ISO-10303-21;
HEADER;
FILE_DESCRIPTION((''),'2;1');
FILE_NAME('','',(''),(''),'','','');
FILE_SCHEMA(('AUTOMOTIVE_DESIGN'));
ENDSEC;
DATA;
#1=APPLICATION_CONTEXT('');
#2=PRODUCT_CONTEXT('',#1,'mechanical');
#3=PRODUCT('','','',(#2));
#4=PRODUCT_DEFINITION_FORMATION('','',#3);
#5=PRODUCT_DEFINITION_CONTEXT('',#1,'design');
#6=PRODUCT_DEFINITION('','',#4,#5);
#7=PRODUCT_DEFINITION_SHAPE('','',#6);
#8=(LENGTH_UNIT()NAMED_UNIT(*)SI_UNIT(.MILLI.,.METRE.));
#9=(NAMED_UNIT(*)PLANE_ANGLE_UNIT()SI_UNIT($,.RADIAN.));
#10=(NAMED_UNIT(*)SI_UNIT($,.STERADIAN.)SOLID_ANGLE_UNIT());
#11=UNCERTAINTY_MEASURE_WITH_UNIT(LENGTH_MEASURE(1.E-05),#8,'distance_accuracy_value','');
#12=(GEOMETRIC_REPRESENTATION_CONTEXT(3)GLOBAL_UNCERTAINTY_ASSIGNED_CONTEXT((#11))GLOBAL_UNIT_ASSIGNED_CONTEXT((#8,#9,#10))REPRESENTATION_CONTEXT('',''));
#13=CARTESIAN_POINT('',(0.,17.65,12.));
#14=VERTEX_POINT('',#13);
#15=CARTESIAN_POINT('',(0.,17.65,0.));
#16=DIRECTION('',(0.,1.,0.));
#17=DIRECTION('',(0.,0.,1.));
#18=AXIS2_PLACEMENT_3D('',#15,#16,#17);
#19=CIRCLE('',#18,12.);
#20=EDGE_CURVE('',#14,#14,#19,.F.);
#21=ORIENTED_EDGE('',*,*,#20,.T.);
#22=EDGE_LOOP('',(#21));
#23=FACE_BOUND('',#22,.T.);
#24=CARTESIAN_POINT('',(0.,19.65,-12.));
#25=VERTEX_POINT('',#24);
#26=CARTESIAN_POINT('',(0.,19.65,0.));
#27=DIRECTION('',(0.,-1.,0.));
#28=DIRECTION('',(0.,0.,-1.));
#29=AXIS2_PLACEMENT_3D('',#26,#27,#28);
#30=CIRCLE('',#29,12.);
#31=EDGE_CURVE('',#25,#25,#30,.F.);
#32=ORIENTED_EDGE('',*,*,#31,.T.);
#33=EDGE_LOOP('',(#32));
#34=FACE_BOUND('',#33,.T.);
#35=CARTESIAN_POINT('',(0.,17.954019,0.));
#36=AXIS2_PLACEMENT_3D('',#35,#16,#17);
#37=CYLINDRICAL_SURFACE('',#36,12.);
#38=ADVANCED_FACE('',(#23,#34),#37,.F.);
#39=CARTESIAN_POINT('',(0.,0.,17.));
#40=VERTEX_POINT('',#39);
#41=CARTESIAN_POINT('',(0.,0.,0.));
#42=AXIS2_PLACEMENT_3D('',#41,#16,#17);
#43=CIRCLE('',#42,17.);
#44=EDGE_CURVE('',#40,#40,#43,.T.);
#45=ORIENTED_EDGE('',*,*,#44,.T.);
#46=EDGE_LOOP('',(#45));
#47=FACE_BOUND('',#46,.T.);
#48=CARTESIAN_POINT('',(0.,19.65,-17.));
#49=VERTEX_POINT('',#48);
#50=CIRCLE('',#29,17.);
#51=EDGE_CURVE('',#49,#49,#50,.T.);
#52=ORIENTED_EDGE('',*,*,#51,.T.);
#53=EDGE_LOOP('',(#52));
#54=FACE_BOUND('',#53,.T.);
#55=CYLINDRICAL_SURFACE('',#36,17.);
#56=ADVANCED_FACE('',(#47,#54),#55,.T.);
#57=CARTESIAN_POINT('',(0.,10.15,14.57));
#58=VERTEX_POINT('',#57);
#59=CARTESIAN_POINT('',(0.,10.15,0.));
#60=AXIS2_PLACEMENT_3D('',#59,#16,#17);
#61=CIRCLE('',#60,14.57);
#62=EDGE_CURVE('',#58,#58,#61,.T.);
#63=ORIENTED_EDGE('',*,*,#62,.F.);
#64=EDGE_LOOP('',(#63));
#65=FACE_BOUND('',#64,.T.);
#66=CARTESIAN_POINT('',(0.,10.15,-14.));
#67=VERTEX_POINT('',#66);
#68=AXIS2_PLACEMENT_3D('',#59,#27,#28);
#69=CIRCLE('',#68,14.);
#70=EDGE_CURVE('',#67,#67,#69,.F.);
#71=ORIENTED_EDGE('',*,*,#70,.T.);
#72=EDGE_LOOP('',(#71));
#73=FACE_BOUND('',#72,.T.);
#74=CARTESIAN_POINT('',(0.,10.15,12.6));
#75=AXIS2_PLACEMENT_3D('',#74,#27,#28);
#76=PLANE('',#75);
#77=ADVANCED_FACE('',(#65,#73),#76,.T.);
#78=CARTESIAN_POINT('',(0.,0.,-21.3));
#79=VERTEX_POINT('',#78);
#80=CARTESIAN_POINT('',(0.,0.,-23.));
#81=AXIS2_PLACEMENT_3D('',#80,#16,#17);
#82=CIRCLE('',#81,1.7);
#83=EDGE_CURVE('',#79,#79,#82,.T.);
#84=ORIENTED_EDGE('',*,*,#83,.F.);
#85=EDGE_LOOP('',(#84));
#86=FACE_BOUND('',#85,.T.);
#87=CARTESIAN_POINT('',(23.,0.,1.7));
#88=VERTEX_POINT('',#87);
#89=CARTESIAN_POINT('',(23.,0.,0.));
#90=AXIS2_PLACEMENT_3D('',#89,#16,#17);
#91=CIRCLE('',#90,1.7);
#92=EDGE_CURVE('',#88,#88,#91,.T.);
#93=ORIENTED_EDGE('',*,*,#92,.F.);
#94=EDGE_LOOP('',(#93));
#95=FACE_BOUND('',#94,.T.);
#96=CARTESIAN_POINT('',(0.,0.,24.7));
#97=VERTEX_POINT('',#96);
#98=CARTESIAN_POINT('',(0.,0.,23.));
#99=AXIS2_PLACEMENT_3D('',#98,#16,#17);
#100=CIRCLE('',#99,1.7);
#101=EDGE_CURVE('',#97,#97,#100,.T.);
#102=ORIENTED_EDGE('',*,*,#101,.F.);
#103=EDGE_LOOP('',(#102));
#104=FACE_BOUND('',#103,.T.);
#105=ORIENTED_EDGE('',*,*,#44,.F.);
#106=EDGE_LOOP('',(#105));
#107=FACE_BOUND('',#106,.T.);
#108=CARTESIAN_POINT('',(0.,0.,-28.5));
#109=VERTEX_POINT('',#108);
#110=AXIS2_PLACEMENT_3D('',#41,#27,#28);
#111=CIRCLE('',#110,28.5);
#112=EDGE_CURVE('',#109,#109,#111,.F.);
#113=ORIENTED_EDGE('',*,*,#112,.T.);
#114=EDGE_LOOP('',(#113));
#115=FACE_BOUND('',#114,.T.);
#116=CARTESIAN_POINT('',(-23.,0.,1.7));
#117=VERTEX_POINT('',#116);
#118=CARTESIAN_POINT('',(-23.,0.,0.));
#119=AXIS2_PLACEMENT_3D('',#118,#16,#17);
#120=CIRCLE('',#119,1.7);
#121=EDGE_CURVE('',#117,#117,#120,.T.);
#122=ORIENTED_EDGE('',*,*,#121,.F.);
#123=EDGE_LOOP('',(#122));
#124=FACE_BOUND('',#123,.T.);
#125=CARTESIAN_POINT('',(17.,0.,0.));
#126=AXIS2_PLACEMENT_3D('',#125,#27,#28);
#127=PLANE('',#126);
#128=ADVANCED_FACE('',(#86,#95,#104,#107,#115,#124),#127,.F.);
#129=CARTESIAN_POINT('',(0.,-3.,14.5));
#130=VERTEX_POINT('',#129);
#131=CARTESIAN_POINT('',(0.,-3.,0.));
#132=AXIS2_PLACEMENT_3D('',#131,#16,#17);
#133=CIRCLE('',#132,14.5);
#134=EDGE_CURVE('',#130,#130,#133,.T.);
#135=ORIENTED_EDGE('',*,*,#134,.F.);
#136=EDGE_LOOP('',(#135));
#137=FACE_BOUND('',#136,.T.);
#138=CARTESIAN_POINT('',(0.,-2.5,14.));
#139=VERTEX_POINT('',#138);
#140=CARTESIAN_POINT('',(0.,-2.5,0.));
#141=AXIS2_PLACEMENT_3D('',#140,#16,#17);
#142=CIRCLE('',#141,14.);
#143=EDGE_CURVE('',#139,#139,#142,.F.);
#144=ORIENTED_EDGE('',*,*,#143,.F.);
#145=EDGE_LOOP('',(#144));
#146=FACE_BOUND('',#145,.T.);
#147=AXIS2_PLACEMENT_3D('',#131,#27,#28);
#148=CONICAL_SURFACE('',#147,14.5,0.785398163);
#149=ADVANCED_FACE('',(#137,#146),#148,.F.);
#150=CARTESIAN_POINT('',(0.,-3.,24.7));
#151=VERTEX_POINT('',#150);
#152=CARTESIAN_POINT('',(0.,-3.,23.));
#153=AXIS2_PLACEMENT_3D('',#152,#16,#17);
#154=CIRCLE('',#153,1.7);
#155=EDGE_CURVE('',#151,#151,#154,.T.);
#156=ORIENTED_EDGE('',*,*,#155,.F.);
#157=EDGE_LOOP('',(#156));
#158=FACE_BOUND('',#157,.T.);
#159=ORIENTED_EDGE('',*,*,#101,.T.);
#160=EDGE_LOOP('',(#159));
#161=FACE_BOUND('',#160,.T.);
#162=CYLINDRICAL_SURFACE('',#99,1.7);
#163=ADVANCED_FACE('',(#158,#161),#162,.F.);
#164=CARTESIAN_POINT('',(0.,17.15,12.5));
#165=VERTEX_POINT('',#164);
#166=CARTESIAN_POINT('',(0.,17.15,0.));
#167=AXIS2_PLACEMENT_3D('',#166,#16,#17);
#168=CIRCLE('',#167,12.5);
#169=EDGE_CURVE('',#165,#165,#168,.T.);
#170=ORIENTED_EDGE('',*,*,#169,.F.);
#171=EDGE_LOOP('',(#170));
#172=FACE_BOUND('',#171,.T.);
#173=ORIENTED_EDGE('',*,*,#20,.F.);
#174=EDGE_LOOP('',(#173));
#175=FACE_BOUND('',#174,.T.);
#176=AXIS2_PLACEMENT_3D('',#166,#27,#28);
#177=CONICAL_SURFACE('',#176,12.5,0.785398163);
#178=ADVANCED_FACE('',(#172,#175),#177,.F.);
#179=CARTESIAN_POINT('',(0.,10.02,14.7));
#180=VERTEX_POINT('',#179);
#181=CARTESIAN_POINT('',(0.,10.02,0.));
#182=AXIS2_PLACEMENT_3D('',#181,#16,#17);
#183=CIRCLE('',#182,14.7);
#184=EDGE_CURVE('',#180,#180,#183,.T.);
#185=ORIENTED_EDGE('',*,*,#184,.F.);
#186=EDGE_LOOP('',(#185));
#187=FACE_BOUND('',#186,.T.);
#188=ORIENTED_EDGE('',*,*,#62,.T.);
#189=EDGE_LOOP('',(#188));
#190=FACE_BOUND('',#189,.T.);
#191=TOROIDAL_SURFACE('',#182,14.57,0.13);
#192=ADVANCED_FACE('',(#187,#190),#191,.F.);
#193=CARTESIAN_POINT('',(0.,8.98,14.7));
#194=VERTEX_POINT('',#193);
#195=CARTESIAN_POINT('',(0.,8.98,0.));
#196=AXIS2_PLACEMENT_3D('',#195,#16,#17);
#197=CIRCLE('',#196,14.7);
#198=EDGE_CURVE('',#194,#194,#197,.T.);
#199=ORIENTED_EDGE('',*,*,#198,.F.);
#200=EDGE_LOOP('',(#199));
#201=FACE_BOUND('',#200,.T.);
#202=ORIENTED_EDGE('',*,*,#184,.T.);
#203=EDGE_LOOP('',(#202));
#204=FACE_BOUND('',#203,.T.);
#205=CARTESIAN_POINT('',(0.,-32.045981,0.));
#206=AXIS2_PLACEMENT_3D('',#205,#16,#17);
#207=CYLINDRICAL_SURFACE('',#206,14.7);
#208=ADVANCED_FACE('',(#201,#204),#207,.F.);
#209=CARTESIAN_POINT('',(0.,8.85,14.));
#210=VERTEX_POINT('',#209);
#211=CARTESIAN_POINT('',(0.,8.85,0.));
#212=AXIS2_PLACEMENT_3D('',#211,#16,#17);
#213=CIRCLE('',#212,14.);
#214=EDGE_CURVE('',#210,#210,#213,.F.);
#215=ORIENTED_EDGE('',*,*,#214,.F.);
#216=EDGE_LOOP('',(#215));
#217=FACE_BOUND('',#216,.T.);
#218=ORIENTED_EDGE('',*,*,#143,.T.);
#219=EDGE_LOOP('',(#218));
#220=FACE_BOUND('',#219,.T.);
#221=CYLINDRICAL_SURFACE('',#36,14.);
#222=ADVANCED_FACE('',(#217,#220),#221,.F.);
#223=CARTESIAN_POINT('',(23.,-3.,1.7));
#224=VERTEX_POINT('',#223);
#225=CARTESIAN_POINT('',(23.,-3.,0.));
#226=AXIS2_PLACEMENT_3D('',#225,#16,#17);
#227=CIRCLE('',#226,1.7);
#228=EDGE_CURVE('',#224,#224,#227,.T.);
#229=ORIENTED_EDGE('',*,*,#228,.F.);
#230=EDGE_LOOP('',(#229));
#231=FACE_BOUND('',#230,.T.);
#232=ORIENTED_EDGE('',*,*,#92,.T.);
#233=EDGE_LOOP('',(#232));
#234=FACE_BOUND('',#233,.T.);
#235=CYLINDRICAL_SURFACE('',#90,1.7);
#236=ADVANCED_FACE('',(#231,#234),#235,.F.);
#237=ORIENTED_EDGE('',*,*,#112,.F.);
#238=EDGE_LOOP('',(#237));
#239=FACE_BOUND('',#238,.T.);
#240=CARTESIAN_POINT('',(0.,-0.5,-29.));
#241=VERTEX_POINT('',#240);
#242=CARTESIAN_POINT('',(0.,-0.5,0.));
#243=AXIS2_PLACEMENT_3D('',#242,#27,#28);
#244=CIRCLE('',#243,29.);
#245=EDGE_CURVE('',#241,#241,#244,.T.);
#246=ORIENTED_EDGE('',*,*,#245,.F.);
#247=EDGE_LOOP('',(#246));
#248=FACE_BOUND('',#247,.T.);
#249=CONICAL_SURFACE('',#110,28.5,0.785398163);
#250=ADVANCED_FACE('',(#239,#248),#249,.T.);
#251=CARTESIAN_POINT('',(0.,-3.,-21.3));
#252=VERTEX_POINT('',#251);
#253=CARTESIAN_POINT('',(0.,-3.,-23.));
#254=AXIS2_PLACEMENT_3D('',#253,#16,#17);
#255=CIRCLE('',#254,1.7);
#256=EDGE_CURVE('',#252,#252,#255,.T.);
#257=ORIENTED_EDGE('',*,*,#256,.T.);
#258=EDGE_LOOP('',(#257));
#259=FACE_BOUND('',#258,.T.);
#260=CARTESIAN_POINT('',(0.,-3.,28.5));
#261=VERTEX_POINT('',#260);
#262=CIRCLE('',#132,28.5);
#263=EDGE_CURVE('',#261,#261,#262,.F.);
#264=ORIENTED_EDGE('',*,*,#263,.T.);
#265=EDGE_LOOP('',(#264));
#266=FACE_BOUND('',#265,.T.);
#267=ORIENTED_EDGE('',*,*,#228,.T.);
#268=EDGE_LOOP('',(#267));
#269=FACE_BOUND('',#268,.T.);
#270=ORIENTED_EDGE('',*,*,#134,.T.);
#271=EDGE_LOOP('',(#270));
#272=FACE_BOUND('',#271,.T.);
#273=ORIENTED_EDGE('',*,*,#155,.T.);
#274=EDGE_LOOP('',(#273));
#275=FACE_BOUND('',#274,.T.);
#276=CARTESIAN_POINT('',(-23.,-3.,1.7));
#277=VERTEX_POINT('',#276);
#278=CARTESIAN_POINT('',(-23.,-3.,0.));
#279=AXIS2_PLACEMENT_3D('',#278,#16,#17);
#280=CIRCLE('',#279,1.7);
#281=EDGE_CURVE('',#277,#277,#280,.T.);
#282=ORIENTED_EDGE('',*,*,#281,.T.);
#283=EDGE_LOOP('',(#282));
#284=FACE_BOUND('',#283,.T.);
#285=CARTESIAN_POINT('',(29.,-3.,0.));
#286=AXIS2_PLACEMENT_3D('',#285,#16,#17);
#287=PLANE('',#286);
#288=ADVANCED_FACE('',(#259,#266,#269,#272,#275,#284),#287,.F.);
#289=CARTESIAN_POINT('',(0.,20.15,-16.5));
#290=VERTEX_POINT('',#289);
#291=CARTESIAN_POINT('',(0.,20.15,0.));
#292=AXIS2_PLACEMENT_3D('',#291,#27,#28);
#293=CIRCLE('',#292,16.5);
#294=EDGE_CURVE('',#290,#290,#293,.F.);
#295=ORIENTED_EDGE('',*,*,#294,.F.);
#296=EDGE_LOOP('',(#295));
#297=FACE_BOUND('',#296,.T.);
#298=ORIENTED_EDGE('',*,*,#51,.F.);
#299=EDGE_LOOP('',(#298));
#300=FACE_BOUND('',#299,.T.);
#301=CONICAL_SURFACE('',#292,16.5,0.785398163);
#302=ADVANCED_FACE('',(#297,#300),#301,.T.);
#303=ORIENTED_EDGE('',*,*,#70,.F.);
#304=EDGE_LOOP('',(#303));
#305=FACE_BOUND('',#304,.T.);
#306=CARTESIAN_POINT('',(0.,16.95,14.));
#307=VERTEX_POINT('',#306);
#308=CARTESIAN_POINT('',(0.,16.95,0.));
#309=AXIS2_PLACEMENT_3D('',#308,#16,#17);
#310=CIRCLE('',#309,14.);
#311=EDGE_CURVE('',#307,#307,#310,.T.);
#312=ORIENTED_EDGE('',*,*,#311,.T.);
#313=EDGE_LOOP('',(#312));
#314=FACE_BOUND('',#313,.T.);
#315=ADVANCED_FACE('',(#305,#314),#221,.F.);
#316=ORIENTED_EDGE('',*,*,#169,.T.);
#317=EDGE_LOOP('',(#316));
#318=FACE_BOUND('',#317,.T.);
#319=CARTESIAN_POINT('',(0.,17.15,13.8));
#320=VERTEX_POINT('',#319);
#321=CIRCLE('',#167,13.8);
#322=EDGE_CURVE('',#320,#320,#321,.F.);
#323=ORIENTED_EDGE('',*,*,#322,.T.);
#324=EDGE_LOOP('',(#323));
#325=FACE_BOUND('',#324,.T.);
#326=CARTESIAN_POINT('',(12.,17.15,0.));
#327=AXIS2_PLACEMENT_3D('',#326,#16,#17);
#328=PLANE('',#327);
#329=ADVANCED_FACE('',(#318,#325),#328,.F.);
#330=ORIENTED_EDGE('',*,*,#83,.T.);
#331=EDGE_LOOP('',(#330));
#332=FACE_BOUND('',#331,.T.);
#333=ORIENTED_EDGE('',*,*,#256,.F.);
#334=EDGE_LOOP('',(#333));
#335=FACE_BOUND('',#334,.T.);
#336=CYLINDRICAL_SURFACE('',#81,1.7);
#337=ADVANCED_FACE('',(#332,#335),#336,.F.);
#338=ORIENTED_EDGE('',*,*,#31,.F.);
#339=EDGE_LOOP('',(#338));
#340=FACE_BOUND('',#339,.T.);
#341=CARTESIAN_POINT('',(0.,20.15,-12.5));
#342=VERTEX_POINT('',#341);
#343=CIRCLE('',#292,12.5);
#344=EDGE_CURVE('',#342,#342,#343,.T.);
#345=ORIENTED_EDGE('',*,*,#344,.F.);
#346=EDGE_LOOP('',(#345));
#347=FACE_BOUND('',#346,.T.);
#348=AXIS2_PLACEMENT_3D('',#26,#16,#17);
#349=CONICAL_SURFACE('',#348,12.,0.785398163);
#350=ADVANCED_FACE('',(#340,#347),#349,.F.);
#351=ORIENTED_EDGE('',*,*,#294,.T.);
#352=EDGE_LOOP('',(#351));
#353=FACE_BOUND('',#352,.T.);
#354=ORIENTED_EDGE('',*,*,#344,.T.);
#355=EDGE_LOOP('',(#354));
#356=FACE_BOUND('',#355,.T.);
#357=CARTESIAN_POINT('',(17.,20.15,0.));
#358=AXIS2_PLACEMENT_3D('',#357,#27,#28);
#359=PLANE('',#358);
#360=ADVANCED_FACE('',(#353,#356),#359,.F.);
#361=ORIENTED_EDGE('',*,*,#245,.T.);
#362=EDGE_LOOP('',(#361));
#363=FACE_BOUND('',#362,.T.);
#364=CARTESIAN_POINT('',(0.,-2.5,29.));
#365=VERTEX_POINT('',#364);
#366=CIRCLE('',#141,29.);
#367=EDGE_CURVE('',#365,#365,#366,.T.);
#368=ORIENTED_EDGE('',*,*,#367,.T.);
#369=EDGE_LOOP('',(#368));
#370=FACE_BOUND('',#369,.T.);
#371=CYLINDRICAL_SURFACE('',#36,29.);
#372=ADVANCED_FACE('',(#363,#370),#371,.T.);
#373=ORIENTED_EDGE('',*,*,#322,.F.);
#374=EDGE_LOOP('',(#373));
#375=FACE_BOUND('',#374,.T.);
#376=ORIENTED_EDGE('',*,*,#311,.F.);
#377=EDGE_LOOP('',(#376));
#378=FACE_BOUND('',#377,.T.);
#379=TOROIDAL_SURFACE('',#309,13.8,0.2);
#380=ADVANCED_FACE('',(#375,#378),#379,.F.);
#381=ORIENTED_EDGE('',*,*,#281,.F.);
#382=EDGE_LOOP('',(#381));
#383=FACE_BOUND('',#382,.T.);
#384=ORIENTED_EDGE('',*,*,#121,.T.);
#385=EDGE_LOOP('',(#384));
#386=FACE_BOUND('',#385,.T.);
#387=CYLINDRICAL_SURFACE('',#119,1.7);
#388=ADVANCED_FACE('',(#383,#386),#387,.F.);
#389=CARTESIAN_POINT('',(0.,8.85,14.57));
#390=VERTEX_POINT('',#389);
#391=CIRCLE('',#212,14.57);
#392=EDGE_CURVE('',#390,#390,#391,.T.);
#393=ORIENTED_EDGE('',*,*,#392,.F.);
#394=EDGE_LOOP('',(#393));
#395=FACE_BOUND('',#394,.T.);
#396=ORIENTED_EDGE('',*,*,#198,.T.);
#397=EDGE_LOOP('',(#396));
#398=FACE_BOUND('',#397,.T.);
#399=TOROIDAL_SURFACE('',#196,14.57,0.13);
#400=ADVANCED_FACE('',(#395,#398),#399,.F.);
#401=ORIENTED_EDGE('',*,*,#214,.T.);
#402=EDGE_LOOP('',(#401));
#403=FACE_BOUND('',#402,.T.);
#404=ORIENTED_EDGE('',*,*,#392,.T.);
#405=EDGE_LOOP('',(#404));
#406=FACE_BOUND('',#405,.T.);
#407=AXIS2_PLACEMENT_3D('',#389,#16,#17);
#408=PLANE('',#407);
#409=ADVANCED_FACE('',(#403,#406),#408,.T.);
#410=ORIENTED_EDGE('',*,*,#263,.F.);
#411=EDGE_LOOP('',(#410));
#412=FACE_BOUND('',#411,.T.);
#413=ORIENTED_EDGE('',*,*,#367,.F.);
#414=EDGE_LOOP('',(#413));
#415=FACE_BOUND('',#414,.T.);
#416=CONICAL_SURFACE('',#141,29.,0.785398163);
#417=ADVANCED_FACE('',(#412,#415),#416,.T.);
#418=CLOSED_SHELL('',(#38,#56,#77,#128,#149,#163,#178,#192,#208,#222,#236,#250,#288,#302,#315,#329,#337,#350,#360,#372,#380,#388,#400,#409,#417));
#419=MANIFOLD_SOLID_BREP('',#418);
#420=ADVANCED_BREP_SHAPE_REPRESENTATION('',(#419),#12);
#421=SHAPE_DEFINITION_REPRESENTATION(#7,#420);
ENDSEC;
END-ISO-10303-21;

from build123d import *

# Parameters (mm, degrees)
M3_CLEARANCE_HOLE1_D = 3.4
FILLET1_R            = 0.2
CHAMFER1_SIZE        = 0.5


with BuildPart() as part:
    # Sketch1 → Revolve1 (revolve)
    with BuildSketch(Plane.XY, mode=Mode.PRIVATE) as revolve1_sk:
        Polygon((14, -3), (14, 17.15), (12, 17.15), (12, 20.15), (17, 20.15), (17, 0), (29, 0), (29, -3), align=None)
    revolve(revolve1_sk.sketch.rotate(Axis((0, 17.954019247, 0), (0, -1, 0)), 90), axis=Axis((0, 17.954019247, 0), (0, -1, 0)))

    # M3 Clearance Hole1 (through all)
    with Locations(Plane(origin=(0, 0, 0), x_dir=(1, 0, 0), z_dir=(0, 1, 0))):
        with Locations((0, 23), (23, 0), (0, -23), (-23, 0)):
            Hole(M3_CLEARANCE_HOLE1_D / 2)

    # Fillet1
    fillet1_edges = [part.edges().sort_by_distance(p)[0] for p in [
        (0, 17.15, -14),
    ]]
    fillet(fillet1_edges, radius=FILLET1_R)

    # Chamfer1
    chamfer1_edges = [part.edges().sort_by_distance(p)[0] for p in [
        (0, 17.15, -12),
        (0, 20.15, -12),
        (0, 20.15, -17),
        (0, 0, -29),
        (0, -3, -29),
        (0, -3, -14),
    ]]
    chamfer(chamfer1_edges, length=CHAMFER1_SIZE)

    # Sketch8 → Groove for BS 3673 P4 - B028M, Internal Circlip1 (revolve, cut)
    with BuildSketch(Plane(origin=(0, 17.954019247, 0), x_dir=(0, 0, 1), z_dir=(-1, 0, 0))):
        with BuildLine():
            Line((14.57, -9.104019247), (12.6, -9.104019247))
            Line((12.6, -9.104019247), (12.6, -7.804019247))
            Line((12.6, -7.804019247), (14.57, -7.804019247))
            ThreePointArc((14.57, -7.804019247), (14.661923882, -7.842095365), (14.7, -7.934019247))
            Line((14.7, -7.934019247), (14.7, -8.974019247))
            ThreePointArc((14.7, -8.974019247), (14.661923882, -9.065943128), (14.57, -9.104019247))
        make_face()
    revolve(axis=Axis((0, -32.045980753, 0), (0, 1, 0)), mode=Mode.SUBTRACT)


solid = part.part
